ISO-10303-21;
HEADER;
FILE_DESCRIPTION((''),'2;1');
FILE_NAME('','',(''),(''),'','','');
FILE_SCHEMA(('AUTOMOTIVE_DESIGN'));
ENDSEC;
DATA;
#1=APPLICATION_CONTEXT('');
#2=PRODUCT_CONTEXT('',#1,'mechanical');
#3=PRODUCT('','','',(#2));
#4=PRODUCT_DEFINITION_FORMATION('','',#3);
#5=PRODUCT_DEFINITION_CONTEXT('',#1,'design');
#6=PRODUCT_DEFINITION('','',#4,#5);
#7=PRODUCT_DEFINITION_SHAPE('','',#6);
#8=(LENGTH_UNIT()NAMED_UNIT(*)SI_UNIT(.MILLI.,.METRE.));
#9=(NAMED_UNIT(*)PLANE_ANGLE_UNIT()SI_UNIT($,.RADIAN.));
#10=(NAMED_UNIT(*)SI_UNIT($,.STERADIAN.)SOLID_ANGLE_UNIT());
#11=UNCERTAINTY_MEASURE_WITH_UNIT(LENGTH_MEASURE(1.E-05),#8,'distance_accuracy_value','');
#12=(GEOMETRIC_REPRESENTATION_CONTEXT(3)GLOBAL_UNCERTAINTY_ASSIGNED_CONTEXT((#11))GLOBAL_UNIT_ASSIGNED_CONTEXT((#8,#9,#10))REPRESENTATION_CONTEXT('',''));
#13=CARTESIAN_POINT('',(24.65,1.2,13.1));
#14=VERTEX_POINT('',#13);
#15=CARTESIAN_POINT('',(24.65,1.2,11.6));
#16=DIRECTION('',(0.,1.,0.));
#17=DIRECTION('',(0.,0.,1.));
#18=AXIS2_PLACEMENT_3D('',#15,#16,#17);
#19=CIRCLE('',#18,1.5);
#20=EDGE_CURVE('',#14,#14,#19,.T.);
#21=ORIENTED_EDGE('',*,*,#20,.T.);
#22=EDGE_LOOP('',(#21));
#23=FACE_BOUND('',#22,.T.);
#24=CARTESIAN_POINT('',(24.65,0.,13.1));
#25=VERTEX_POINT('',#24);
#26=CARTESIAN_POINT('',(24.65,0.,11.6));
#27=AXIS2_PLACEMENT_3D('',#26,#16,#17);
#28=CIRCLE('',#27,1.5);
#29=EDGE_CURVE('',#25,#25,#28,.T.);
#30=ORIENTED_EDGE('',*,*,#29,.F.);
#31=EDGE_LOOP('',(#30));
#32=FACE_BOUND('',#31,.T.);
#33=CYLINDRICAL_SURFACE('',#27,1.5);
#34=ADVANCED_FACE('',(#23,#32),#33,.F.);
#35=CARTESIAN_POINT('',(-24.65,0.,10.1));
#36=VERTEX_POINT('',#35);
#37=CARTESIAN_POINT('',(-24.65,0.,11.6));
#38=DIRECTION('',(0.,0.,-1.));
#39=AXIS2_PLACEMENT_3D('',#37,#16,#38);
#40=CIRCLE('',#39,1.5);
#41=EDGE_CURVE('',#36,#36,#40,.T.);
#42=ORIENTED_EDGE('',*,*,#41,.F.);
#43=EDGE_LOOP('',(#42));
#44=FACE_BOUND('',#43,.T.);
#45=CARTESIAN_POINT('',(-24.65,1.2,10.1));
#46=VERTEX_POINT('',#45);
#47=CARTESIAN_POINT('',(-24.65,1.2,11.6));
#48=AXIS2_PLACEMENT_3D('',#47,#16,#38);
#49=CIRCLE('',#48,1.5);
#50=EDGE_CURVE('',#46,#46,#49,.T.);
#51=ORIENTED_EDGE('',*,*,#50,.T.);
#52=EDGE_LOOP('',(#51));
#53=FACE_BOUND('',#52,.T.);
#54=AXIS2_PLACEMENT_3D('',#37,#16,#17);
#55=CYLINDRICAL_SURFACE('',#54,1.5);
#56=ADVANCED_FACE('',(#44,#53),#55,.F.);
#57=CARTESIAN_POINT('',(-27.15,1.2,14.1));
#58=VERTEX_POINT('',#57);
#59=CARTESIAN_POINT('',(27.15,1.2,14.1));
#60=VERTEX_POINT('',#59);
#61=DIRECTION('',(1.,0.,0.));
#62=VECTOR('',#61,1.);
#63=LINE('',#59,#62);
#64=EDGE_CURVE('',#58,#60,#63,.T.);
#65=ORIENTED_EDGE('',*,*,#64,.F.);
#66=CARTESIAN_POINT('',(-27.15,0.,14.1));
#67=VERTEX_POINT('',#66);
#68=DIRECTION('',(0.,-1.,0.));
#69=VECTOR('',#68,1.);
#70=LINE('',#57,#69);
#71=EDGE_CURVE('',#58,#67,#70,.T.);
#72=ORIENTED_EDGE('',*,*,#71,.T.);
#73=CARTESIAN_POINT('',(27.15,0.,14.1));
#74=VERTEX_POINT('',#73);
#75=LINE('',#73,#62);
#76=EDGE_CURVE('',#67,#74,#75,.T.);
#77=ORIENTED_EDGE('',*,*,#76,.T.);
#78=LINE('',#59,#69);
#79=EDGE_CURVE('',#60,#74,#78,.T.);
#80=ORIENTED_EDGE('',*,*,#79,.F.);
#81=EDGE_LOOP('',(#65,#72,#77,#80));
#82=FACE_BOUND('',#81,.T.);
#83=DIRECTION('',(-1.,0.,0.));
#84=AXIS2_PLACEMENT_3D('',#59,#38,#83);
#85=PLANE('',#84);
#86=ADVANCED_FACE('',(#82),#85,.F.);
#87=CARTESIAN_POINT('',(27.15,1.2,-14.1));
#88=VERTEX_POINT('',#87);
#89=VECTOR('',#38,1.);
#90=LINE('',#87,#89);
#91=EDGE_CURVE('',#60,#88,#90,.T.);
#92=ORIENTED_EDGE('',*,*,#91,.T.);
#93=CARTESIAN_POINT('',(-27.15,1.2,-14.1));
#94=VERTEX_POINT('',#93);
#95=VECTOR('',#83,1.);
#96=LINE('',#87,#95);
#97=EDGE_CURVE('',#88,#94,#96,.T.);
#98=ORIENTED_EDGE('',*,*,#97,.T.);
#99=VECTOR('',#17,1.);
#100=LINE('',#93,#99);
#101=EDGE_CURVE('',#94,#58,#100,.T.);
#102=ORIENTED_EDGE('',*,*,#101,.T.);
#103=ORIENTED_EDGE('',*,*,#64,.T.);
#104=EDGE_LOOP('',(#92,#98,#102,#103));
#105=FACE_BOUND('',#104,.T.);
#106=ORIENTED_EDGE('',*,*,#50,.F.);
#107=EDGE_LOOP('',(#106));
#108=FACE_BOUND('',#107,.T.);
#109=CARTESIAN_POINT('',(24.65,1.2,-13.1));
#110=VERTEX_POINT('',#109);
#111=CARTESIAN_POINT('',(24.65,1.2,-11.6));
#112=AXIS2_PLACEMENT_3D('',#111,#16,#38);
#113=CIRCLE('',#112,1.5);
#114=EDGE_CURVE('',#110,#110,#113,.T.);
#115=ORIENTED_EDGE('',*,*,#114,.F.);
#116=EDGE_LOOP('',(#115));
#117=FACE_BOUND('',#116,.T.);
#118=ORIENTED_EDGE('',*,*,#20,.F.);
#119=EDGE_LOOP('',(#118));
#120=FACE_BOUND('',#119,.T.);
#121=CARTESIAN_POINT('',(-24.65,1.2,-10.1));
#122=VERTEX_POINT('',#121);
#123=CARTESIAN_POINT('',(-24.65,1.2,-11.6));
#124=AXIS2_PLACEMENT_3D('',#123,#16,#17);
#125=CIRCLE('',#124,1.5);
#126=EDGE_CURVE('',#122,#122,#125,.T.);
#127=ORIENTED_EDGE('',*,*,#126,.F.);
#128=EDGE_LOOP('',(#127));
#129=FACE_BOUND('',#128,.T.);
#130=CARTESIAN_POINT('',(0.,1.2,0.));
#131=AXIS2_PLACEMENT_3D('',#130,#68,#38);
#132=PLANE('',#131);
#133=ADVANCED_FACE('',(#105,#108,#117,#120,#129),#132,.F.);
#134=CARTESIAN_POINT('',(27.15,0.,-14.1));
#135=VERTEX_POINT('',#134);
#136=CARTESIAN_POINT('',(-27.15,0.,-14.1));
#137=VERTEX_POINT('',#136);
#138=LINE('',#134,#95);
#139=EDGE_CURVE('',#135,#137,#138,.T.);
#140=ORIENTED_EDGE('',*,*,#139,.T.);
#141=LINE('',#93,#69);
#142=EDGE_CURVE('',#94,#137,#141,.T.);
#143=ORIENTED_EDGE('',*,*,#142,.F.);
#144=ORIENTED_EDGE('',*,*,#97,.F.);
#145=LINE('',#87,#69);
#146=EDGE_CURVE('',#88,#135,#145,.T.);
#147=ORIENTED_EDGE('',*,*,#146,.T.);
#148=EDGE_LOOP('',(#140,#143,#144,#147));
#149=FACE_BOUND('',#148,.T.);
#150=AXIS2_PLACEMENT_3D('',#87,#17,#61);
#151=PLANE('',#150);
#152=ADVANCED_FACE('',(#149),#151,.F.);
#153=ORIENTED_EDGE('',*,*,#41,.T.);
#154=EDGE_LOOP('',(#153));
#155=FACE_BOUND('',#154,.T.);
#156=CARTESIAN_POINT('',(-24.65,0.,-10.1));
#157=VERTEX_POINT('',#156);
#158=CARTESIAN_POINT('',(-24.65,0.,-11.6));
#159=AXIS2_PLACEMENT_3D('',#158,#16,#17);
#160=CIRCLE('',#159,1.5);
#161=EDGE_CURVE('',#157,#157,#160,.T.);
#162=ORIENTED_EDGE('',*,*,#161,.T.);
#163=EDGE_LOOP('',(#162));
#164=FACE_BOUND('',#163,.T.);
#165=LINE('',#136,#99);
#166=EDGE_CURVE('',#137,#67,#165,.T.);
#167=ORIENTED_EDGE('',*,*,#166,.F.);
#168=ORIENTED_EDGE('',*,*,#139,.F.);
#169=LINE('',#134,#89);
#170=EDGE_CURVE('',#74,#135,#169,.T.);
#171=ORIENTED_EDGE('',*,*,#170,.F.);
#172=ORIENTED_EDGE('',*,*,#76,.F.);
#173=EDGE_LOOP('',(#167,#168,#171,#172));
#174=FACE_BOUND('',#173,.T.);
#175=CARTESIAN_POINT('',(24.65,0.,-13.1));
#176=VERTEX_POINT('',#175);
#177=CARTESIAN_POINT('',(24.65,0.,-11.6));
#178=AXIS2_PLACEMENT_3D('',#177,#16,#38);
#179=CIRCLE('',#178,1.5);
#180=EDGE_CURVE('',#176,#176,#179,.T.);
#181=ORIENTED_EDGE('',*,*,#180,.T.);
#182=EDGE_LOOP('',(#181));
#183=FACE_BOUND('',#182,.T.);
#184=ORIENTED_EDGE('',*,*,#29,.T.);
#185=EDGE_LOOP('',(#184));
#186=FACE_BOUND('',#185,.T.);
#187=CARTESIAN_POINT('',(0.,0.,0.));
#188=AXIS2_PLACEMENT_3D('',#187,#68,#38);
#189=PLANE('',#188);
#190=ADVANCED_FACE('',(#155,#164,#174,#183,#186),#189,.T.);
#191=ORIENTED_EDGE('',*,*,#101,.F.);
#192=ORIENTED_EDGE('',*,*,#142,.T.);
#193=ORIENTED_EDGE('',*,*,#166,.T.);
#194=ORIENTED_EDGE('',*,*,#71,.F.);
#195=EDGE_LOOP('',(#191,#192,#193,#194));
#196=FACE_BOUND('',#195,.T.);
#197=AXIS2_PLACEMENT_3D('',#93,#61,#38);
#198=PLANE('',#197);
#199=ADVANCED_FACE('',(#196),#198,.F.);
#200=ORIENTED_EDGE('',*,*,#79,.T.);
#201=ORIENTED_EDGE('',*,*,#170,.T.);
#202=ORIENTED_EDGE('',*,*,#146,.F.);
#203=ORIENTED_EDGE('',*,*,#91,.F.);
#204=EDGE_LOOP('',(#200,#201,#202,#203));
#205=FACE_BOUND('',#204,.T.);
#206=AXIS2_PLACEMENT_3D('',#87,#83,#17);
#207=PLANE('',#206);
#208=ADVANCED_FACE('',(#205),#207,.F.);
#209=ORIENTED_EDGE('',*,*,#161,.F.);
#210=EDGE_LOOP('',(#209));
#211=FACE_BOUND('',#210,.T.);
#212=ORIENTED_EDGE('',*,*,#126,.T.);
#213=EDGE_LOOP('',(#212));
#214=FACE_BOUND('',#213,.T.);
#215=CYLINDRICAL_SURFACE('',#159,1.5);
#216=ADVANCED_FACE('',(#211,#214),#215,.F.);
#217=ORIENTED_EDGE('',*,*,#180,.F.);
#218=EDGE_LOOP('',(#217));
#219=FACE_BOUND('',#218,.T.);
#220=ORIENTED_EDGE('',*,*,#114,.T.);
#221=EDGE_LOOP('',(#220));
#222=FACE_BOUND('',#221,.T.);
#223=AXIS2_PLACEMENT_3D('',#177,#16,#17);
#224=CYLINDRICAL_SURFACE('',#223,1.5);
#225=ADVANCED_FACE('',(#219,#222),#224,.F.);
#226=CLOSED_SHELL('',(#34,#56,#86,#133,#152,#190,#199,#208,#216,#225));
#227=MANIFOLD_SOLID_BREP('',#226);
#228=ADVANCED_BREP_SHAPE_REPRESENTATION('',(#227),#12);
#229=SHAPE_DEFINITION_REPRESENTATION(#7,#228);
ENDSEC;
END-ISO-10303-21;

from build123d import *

# Parameters (mm, degrees)
CROQUIS1_W              = 54.3
CROQUIS1_H              = 28.2
SALIENTE_EXTRUIR1_DEPTH = 1.2
CROQUIS3_R              = 1.5
CORTAR_EXTRUIR1_DEPTH   = 1.2


with BuildPart() as part:
    # Croquis1 → Saliente-Extruir1 (new body)
    with BuildSketch(Plane(origin=(0, 0, 0), x_dir=(1, 0, 0), z_dir=(0, 1, 0))):
        Rectangle(CROQUIS1_W, CROQUIS1_H)
    extrude(amount=SALIENTE_EXTRUIR1_DEPTH)

    # Croquis3 → Cortar-Extruir1 (cut)
    with BuildSketch(Plane(origin=(0, 1.2, 0), x_dir=(1, 0, 0), z_dir=(0, 1, 0))):
        with Locations(Location((-24.65, 11.6, 0), (0, 0, 270))):
            Circle(CROQUIS3_R)
        with Locations(Location((24.65, 11.6, 0), (0, 0, 90))):
            Circle(CROQUIS3_R)
        with Locations(Location((24.65, -11.6, 0), (0, 0, 270))):
            Circle(CROQUIS3_R)
        with Locations(Location((-24.65, -11.6, 0), (0, 0, 90))):
            Circle(CROQUIS3_R)
    extrude(amount=-CORTAR_EXTRUIR1_DEPTH, mode=Mode.SUBTRACT)


solid = part.part
